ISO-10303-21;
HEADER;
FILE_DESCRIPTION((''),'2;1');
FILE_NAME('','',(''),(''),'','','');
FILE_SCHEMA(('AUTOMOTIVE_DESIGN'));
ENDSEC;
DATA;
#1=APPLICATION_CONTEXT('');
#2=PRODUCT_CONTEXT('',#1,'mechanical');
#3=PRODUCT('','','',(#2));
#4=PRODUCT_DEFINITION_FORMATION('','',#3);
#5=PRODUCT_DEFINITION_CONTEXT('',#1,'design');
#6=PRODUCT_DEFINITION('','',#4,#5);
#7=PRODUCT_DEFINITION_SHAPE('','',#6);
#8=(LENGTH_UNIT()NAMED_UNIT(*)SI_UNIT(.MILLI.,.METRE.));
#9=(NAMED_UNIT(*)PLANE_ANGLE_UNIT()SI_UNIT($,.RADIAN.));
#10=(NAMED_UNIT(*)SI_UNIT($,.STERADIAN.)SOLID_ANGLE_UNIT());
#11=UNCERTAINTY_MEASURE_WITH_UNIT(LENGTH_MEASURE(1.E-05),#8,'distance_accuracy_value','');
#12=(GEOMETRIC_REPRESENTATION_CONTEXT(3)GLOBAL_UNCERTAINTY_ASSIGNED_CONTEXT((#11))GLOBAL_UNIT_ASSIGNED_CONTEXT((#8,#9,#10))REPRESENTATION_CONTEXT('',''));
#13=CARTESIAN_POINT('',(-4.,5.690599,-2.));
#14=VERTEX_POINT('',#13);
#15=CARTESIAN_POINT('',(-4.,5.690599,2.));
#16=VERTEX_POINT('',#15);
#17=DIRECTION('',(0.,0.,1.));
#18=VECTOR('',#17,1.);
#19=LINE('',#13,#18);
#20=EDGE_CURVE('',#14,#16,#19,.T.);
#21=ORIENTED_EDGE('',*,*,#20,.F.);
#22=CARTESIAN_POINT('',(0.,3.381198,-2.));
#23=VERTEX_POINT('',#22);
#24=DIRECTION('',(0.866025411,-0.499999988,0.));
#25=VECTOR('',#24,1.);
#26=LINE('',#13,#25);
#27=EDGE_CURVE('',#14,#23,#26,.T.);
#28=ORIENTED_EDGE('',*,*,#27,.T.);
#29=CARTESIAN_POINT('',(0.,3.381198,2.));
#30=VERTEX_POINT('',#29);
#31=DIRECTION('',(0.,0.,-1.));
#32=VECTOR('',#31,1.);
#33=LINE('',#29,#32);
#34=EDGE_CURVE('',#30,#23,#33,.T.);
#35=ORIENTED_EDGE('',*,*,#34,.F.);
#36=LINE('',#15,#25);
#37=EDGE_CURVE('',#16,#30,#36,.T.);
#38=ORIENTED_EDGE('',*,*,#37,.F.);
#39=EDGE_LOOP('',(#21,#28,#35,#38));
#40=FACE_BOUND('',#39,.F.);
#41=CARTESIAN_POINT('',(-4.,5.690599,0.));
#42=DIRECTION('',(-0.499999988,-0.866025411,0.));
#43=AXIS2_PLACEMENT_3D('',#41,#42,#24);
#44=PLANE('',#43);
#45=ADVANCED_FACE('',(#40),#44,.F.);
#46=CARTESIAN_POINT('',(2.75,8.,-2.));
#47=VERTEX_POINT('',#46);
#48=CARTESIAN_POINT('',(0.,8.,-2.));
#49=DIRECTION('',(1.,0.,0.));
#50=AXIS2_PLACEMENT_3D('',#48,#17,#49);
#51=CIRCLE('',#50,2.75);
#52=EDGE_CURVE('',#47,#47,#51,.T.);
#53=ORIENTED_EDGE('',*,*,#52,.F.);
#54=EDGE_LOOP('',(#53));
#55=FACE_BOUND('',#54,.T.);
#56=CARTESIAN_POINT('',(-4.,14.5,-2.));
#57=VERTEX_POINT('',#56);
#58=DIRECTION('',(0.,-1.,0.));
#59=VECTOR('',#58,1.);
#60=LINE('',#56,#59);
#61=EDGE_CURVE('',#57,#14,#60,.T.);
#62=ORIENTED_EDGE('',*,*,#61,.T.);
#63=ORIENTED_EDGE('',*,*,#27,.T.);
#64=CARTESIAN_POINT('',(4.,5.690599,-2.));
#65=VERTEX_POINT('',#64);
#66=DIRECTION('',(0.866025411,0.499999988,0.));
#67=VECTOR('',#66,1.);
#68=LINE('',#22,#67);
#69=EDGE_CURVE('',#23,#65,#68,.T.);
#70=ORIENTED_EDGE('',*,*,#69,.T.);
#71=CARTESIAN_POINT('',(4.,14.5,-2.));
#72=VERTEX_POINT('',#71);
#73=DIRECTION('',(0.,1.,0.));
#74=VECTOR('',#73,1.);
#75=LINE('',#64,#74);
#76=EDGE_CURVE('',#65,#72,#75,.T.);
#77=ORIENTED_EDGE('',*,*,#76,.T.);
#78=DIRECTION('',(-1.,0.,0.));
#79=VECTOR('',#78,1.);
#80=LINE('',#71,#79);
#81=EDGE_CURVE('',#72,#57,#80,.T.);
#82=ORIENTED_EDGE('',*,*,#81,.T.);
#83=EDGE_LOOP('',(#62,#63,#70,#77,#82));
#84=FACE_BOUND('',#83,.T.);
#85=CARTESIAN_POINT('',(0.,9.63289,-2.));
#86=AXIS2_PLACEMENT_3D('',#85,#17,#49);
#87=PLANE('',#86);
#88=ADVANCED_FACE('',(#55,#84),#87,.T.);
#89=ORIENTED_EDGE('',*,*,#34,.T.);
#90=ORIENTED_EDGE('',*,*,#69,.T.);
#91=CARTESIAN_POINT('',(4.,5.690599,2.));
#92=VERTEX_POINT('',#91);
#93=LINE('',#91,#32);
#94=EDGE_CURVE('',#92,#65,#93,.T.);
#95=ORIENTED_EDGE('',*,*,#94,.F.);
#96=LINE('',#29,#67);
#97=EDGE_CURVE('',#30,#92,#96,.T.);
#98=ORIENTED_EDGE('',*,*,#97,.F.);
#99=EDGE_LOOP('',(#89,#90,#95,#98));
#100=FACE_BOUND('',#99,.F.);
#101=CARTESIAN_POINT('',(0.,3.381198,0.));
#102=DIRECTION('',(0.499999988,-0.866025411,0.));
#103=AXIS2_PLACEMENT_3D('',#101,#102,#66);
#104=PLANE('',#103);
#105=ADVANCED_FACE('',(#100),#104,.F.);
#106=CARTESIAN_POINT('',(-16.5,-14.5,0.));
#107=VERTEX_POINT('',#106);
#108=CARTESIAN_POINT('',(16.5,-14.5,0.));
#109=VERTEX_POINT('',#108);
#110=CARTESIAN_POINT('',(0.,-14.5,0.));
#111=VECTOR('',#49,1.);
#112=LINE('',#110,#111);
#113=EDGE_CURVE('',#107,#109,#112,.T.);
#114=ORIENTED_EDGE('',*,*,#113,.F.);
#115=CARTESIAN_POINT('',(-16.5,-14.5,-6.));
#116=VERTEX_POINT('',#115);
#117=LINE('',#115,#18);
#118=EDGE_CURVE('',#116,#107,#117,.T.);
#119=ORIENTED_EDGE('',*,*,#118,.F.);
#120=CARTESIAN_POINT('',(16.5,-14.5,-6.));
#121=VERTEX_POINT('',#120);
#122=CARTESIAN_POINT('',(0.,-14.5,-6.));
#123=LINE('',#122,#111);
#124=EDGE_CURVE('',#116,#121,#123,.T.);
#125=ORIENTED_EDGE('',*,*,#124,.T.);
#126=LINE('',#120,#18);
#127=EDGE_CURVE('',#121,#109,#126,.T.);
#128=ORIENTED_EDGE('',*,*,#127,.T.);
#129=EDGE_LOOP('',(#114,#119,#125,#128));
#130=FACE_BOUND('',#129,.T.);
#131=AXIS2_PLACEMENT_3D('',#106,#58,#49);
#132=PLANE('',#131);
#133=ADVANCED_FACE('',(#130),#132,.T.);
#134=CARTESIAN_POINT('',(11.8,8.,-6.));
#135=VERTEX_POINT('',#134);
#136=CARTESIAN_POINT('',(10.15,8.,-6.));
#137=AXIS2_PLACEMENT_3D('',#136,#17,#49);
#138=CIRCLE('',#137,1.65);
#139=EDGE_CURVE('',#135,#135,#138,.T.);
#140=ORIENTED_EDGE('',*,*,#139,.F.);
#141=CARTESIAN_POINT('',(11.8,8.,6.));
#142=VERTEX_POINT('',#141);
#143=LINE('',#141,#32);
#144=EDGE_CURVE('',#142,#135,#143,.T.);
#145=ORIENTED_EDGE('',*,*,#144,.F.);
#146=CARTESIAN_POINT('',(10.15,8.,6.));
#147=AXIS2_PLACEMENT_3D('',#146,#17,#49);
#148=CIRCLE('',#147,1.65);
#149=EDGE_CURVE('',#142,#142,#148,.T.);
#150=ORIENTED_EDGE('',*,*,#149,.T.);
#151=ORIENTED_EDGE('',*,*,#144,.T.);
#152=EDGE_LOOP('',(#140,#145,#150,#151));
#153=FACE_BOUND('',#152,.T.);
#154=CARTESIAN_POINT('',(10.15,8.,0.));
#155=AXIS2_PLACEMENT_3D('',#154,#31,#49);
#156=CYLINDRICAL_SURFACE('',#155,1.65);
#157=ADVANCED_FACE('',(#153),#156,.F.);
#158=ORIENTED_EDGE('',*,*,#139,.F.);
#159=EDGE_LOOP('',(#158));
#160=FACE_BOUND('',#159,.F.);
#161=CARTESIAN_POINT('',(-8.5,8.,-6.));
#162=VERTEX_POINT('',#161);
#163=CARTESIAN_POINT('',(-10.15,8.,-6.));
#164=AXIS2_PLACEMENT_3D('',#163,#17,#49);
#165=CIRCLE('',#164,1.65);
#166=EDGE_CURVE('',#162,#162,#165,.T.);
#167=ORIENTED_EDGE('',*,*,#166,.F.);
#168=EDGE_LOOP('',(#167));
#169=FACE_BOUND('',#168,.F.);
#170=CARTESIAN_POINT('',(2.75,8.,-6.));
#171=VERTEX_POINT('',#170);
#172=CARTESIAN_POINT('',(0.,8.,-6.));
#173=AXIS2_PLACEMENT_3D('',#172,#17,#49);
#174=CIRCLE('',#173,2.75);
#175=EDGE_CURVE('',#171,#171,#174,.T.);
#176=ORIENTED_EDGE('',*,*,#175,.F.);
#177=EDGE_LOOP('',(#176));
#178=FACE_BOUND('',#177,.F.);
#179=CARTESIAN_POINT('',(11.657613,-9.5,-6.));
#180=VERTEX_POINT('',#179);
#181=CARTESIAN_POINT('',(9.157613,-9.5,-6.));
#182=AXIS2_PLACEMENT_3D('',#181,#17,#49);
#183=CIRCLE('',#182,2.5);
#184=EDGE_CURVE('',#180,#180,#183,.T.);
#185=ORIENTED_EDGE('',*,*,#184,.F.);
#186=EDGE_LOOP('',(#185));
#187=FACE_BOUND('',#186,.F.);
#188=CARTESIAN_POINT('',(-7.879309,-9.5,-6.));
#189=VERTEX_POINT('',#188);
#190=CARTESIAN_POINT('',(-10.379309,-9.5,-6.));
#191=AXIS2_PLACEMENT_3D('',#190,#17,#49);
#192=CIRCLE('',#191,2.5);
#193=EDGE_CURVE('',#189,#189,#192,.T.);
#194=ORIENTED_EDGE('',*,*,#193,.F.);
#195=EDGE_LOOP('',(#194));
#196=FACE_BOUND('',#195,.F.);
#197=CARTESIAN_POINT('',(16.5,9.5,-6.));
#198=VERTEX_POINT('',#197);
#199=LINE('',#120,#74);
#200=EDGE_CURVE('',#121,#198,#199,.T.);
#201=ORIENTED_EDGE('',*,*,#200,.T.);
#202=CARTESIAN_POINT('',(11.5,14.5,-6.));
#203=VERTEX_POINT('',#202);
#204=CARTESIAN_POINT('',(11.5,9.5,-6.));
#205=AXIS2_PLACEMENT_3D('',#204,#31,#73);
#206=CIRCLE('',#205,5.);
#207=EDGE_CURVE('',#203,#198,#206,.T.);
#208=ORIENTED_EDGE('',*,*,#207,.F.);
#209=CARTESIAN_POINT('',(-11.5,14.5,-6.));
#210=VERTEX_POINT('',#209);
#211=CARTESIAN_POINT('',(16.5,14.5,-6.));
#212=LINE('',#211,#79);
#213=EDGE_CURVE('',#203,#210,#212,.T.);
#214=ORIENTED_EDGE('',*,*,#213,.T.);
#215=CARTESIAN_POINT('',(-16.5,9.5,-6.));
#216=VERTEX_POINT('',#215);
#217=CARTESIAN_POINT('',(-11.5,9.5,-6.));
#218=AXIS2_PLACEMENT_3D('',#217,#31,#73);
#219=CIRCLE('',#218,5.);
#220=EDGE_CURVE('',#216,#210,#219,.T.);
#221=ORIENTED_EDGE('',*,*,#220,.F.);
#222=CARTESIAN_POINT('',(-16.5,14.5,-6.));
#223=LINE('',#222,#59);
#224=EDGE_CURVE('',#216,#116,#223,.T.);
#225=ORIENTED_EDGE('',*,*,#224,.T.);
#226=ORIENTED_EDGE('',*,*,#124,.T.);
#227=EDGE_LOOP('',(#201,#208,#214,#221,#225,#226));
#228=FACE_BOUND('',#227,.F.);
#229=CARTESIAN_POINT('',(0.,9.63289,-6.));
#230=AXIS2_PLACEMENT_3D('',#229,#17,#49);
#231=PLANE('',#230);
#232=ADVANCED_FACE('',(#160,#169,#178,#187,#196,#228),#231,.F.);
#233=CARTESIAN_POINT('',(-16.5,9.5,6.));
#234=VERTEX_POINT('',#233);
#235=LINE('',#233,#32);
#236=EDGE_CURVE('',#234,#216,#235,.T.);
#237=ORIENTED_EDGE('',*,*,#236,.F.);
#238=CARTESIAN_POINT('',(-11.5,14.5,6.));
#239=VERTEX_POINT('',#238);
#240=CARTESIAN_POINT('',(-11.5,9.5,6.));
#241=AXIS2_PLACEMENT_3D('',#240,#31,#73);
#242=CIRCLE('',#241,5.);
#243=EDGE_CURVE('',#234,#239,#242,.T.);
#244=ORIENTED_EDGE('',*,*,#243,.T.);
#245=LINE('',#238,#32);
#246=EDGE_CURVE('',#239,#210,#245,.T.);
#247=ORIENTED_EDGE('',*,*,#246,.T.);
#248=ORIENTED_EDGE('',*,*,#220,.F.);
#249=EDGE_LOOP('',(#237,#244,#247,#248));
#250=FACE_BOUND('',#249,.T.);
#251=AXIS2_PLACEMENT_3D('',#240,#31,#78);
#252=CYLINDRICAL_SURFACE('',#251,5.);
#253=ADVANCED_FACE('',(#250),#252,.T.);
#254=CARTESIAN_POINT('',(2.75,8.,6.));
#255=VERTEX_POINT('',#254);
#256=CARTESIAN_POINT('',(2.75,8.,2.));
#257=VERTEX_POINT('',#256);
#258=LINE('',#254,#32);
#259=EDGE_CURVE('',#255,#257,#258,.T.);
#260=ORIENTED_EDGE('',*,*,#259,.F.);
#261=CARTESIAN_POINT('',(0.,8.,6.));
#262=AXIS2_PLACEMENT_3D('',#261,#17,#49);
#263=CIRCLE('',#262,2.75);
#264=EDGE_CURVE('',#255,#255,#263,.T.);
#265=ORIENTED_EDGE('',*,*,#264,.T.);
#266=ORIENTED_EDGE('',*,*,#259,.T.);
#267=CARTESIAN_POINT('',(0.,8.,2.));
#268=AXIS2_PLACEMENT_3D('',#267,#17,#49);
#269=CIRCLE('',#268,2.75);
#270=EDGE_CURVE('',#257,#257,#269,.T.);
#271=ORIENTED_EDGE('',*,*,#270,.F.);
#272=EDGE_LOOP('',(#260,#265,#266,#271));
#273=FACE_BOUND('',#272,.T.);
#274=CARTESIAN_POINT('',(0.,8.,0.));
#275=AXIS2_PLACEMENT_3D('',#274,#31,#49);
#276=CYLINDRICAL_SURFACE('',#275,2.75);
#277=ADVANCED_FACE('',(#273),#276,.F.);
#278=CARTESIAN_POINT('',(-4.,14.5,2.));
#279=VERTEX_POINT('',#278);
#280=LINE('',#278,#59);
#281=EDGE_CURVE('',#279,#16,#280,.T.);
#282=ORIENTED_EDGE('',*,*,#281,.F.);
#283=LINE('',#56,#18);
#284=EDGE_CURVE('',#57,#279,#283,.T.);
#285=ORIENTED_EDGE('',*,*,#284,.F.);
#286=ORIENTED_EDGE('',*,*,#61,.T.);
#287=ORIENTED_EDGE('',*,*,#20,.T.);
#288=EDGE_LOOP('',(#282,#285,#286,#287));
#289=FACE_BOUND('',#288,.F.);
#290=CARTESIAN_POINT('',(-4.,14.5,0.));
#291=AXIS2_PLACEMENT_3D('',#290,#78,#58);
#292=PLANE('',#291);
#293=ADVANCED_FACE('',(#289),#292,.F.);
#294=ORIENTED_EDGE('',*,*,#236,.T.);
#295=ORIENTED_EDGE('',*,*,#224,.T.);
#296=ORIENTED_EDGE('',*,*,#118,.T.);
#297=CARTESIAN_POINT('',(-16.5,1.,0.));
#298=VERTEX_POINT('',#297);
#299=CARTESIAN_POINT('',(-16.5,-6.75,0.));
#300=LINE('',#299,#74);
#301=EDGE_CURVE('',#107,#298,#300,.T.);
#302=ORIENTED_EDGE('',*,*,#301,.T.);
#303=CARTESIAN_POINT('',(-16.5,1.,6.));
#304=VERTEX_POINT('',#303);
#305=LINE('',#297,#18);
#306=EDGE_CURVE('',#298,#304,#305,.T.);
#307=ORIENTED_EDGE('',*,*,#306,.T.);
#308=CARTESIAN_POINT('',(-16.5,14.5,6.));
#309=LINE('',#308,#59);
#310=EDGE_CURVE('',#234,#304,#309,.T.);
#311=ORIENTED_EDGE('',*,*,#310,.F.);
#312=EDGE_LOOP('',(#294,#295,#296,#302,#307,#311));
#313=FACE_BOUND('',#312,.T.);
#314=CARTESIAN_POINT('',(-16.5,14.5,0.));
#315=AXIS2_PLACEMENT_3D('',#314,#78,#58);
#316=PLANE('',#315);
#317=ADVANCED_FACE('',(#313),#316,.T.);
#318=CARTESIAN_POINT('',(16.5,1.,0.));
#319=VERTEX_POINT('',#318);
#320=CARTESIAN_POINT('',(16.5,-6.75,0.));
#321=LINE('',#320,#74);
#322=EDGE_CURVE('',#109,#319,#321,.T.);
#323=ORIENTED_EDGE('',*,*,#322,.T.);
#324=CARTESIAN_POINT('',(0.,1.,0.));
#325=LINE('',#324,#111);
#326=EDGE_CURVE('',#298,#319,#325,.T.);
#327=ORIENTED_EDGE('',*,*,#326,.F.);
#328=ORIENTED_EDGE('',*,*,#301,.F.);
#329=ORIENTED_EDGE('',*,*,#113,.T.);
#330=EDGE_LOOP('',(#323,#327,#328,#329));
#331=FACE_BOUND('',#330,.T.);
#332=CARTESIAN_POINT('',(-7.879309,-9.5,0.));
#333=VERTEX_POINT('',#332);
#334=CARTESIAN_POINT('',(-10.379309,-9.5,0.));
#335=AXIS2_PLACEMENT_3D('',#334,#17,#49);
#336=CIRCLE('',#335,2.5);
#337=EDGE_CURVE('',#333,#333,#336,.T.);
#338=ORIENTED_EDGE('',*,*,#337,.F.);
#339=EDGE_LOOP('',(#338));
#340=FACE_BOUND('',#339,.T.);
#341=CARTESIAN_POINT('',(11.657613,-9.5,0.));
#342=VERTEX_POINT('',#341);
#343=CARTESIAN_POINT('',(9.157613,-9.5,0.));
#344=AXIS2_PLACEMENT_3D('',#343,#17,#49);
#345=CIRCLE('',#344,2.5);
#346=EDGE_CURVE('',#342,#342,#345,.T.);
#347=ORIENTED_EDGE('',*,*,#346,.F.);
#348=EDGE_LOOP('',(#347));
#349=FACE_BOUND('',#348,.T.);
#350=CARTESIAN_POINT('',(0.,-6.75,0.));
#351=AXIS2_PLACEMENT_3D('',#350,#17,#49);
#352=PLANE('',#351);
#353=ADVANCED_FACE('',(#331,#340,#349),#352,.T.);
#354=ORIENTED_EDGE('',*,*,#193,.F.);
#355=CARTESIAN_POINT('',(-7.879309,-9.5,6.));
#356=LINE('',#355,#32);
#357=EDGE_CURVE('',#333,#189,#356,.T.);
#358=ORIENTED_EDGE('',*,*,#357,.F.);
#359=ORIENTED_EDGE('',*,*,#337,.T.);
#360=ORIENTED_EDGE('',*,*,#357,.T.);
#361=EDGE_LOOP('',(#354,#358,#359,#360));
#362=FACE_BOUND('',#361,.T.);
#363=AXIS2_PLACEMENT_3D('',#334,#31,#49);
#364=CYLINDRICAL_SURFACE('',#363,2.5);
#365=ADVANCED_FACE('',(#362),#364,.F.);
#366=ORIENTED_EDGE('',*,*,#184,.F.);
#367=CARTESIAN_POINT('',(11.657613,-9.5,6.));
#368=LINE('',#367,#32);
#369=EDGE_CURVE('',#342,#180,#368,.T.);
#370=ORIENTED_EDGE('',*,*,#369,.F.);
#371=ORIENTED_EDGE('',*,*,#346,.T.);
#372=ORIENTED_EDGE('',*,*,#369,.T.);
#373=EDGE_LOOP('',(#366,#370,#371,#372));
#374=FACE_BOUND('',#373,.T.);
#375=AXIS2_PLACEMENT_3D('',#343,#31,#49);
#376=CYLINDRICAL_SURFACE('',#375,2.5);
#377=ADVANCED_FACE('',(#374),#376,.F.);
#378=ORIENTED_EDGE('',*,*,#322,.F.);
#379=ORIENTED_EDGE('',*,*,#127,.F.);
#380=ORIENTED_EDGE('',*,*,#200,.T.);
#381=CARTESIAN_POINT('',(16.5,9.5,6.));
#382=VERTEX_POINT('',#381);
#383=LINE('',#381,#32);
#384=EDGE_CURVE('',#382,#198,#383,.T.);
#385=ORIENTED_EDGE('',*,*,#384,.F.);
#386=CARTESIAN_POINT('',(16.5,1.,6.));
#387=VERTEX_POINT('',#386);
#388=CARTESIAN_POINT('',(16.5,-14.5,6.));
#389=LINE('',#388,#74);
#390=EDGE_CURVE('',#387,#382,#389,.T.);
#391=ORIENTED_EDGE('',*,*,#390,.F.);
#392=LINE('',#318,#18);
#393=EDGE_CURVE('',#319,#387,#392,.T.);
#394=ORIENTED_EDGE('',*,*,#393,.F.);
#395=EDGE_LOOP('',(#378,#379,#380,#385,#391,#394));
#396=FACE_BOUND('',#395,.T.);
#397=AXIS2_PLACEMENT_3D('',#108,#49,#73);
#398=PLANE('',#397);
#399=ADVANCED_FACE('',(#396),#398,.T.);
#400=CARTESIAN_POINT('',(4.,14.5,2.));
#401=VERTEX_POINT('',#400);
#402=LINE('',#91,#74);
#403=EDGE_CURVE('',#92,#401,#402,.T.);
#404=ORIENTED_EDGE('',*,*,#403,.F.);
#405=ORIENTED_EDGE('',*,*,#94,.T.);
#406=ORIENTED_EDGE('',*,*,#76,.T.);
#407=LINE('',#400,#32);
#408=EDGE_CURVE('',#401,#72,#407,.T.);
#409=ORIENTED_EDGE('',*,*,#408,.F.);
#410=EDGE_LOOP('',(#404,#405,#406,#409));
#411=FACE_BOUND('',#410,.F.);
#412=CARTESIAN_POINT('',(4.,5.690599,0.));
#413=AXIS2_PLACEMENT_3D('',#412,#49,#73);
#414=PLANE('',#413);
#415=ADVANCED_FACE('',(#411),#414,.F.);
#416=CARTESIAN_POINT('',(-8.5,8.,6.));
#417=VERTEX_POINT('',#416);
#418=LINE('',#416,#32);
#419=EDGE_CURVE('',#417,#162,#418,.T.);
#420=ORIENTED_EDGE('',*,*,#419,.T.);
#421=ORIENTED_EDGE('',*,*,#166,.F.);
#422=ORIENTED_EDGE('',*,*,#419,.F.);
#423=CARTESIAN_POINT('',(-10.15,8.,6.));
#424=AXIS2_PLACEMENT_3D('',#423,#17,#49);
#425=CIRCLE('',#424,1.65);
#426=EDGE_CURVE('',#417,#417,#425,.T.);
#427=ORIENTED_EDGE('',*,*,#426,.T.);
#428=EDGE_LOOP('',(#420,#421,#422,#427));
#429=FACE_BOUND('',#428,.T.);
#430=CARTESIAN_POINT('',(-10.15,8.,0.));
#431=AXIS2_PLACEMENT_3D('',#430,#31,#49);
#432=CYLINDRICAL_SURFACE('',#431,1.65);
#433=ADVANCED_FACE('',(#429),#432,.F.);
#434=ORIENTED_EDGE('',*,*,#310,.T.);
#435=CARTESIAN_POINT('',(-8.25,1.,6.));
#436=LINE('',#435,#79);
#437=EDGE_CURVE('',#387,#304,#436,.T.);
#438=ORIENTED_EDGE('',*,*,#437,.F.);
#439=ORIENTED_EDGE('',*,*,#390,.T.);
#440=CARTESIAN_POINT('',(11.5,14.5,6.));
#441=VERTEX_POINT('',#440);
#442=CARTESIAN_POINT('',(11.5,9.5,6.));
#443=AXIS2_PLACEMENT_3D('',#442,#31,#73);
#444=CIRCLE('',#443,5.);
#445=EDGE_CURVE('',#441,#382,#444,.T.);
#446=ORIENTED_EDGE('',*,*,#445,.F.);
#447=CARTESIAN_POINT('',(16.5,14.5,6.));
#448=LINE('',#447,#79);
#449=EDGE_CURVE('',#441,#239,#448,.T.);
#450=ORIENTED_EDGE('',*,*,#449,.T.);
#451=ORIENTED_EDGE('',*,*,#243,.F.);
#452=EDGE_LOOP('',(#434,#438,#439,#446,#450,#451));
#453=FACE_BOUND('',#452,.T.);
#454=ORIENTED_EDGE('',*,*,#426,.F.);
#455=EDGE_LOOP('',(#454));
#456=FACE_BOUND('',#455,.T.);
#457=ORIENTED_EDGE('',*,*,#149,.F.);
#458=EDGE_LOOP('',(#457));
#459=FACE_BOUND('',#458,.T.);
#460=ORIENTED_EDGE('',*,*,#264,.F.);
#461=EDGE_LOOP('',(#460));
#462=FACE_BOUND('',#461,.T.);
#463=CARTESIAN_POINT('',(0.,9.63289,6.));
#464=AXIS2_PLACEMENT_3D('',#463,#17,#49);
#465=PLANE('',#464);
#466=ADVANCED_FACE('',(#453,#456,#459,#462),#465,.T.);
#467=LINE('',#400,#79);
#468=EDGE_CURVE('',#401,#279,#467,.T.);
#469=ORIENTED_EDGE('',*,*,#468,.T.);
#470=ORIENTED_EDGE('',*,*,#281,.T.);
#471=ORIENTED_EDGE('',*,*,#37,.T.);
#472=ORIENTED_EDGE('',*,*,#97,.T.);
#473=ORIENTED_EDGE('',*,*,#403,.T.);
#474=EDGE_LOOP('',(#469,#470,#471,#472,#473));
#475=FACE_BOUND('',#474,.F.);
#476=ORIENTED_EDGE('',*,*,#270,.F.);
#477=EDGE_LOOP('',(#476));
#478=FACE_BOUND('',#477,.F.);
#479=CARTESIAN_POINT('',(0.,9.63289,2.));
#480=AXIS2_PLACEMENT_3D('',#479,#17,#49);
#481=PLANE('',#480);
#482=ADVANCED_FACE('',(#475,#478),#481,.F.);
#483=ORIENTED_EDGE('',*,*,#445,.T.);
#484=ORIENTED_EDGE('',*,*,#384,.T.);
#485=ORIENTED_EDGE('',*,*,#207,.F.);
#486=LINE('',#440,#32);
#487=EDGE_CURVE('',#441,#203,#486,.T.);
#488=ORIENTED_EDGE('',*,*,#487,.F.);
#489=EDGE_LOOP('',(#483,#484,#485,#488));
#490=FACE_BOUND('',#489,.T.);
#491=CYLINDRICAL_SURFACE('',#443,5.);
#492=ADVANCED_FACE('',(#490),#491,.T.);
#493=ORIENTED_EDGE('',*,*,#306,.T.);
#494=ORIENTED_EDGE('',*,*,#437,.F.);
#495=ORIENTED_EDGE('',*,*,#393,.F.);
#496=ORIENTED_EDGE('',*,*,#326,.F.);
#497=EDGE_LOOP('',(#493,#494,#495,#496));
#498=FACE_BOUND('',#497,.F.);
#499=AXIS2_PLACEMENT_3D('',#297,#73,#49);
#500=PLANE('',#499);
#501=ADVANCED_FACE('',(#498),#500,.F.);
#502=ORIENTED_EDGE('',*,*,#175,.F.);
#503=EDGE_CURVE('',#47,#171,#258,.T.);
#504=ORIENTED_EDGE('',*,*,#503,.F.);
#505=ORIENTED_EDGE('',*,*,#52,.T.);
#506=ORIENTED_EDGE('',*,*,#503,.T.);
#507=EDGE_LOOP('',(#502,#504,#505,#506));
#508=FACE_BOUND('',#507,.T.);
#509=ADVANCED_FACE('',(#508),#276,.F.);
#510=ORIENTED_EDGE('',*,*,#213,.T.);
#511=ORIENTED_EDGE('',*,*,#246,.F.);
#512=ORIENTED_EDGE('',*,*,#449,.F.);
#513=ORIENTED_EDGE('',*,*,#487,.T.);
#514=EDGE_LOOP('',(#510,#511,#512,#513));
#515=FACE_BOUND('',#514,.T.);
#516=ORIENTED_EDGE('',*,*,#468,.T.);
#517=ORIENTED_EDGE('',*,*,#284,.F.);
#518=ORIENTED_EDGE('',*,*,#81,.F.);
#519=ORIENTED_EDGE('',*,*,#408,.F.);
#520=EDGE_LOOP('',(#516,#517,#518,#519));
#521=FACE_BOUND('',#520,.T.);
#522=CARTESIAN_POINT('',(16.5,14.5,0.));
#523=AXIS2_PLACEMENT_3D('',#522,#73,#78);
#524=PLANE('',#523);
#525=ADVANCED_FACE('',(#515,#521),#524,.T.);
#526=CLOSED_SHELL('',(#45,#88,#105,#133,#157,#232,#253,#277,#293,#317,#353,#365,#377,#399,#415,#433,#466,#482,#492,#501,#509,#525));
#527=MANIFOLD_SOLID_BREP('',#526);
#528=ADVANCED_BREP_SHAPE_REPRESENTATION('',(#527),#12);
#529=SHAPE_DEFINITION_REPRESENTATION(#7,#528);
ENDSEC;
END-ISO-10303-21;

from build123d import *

# Parameters (mm, degrees)
F0_R     = 2.75
F0_R_2   = 1.65
F0_W     = 33
F0_H     = 15.5
F0_R_3   = 2.5
F1_DEPTH = 6
F2_R     = 5
F3_DEPTH = 2
F4_DEPTH = 25


with BuildPart() as f1:
    # F0 (on Top) → F1 (new body, symmetric)
    with BuildSketch(Plane.XY):
        Polygon((4, 14.5), (-4, 14.5), (-4, 10.123076), (-4, 5.690599), (0, 3.381198), (4, 5.690599), (4, 10.309401), align=None)
        with Locations((0, 8)):
            Circle(F0_R, mode=Mode.SUBTRACT)
        Polygon((-4, 14.5), (-16.5, 14.5), (-16.5, 1), (16.5, 1), (16.5, 14.5), (4, 14.5), (4, 10.309401), (4, 5.690599), (0, 3.381198), (-4, 5.690599), (-4, 10.123076), align=None)
        with Locations((-10.15, 8)):
            Circle(F0_R_2, mode=Mode.SUBTRACT)
        with Locations((10.15, 8)):
            Circle(F0_R_2, mode=Mode.SUBTRACT)
        with Locations((0, -6.75)):
            Rectangle(F0_W, F0_H)
        with Locations((-10.379309, -9.5)):
            Circle(F0_R_3, mode=Mode.SUBTRACT)
        with Locations((9.157613, -9.5)):
            Circle(F0_R_3, mode=Mode.SUBTRACT)
    extrude(amount=F1_DEPTH, both=True)

    # F2
    f2_edges = [f1.edges().sort_by_distance(p)[0] for p in [
        (16.5, 14.5, 0),
        (-16.5, 14.5, 0),
    ]]
    fillet(f2_edges, radius=F2_R)

    # F0 (on Top) → F3 (cut, symmetric)
    with BuildSketch(Plane.XY):
        Polygon((4, 14.5), (-4, 14.5), (-4, 10.123076), (-4, 5.690599), (0, 3.381198), (4, 5.690599), (4, 10.309401), align=None)
        with Locations((0, 8)):
            Circle(F0_R, mode=Mode.SUBTRACT)
    extrude(amount=F3_DEPTH, both=True, mode=Mode.SUBTRACT)

    # F0 (on Top) → F4 (cut)
    with BuildSketch(Plane.XY):
        with Locations((0, -6.75)):
            Rectangle(F0_W, F0_H)
        with Locations((-10.379309, -9.5)):
            Circle(F0_R_3, mode=Mode.SUBTRACT)
        with Locations((9.157613, -9.5)):
            Circle(F0_R_3, mode=Mode.SUBTRACT)
    extrude(amount=F4_DEPTH, mode=Mode.SUBTRACT)


solid = f1.part
